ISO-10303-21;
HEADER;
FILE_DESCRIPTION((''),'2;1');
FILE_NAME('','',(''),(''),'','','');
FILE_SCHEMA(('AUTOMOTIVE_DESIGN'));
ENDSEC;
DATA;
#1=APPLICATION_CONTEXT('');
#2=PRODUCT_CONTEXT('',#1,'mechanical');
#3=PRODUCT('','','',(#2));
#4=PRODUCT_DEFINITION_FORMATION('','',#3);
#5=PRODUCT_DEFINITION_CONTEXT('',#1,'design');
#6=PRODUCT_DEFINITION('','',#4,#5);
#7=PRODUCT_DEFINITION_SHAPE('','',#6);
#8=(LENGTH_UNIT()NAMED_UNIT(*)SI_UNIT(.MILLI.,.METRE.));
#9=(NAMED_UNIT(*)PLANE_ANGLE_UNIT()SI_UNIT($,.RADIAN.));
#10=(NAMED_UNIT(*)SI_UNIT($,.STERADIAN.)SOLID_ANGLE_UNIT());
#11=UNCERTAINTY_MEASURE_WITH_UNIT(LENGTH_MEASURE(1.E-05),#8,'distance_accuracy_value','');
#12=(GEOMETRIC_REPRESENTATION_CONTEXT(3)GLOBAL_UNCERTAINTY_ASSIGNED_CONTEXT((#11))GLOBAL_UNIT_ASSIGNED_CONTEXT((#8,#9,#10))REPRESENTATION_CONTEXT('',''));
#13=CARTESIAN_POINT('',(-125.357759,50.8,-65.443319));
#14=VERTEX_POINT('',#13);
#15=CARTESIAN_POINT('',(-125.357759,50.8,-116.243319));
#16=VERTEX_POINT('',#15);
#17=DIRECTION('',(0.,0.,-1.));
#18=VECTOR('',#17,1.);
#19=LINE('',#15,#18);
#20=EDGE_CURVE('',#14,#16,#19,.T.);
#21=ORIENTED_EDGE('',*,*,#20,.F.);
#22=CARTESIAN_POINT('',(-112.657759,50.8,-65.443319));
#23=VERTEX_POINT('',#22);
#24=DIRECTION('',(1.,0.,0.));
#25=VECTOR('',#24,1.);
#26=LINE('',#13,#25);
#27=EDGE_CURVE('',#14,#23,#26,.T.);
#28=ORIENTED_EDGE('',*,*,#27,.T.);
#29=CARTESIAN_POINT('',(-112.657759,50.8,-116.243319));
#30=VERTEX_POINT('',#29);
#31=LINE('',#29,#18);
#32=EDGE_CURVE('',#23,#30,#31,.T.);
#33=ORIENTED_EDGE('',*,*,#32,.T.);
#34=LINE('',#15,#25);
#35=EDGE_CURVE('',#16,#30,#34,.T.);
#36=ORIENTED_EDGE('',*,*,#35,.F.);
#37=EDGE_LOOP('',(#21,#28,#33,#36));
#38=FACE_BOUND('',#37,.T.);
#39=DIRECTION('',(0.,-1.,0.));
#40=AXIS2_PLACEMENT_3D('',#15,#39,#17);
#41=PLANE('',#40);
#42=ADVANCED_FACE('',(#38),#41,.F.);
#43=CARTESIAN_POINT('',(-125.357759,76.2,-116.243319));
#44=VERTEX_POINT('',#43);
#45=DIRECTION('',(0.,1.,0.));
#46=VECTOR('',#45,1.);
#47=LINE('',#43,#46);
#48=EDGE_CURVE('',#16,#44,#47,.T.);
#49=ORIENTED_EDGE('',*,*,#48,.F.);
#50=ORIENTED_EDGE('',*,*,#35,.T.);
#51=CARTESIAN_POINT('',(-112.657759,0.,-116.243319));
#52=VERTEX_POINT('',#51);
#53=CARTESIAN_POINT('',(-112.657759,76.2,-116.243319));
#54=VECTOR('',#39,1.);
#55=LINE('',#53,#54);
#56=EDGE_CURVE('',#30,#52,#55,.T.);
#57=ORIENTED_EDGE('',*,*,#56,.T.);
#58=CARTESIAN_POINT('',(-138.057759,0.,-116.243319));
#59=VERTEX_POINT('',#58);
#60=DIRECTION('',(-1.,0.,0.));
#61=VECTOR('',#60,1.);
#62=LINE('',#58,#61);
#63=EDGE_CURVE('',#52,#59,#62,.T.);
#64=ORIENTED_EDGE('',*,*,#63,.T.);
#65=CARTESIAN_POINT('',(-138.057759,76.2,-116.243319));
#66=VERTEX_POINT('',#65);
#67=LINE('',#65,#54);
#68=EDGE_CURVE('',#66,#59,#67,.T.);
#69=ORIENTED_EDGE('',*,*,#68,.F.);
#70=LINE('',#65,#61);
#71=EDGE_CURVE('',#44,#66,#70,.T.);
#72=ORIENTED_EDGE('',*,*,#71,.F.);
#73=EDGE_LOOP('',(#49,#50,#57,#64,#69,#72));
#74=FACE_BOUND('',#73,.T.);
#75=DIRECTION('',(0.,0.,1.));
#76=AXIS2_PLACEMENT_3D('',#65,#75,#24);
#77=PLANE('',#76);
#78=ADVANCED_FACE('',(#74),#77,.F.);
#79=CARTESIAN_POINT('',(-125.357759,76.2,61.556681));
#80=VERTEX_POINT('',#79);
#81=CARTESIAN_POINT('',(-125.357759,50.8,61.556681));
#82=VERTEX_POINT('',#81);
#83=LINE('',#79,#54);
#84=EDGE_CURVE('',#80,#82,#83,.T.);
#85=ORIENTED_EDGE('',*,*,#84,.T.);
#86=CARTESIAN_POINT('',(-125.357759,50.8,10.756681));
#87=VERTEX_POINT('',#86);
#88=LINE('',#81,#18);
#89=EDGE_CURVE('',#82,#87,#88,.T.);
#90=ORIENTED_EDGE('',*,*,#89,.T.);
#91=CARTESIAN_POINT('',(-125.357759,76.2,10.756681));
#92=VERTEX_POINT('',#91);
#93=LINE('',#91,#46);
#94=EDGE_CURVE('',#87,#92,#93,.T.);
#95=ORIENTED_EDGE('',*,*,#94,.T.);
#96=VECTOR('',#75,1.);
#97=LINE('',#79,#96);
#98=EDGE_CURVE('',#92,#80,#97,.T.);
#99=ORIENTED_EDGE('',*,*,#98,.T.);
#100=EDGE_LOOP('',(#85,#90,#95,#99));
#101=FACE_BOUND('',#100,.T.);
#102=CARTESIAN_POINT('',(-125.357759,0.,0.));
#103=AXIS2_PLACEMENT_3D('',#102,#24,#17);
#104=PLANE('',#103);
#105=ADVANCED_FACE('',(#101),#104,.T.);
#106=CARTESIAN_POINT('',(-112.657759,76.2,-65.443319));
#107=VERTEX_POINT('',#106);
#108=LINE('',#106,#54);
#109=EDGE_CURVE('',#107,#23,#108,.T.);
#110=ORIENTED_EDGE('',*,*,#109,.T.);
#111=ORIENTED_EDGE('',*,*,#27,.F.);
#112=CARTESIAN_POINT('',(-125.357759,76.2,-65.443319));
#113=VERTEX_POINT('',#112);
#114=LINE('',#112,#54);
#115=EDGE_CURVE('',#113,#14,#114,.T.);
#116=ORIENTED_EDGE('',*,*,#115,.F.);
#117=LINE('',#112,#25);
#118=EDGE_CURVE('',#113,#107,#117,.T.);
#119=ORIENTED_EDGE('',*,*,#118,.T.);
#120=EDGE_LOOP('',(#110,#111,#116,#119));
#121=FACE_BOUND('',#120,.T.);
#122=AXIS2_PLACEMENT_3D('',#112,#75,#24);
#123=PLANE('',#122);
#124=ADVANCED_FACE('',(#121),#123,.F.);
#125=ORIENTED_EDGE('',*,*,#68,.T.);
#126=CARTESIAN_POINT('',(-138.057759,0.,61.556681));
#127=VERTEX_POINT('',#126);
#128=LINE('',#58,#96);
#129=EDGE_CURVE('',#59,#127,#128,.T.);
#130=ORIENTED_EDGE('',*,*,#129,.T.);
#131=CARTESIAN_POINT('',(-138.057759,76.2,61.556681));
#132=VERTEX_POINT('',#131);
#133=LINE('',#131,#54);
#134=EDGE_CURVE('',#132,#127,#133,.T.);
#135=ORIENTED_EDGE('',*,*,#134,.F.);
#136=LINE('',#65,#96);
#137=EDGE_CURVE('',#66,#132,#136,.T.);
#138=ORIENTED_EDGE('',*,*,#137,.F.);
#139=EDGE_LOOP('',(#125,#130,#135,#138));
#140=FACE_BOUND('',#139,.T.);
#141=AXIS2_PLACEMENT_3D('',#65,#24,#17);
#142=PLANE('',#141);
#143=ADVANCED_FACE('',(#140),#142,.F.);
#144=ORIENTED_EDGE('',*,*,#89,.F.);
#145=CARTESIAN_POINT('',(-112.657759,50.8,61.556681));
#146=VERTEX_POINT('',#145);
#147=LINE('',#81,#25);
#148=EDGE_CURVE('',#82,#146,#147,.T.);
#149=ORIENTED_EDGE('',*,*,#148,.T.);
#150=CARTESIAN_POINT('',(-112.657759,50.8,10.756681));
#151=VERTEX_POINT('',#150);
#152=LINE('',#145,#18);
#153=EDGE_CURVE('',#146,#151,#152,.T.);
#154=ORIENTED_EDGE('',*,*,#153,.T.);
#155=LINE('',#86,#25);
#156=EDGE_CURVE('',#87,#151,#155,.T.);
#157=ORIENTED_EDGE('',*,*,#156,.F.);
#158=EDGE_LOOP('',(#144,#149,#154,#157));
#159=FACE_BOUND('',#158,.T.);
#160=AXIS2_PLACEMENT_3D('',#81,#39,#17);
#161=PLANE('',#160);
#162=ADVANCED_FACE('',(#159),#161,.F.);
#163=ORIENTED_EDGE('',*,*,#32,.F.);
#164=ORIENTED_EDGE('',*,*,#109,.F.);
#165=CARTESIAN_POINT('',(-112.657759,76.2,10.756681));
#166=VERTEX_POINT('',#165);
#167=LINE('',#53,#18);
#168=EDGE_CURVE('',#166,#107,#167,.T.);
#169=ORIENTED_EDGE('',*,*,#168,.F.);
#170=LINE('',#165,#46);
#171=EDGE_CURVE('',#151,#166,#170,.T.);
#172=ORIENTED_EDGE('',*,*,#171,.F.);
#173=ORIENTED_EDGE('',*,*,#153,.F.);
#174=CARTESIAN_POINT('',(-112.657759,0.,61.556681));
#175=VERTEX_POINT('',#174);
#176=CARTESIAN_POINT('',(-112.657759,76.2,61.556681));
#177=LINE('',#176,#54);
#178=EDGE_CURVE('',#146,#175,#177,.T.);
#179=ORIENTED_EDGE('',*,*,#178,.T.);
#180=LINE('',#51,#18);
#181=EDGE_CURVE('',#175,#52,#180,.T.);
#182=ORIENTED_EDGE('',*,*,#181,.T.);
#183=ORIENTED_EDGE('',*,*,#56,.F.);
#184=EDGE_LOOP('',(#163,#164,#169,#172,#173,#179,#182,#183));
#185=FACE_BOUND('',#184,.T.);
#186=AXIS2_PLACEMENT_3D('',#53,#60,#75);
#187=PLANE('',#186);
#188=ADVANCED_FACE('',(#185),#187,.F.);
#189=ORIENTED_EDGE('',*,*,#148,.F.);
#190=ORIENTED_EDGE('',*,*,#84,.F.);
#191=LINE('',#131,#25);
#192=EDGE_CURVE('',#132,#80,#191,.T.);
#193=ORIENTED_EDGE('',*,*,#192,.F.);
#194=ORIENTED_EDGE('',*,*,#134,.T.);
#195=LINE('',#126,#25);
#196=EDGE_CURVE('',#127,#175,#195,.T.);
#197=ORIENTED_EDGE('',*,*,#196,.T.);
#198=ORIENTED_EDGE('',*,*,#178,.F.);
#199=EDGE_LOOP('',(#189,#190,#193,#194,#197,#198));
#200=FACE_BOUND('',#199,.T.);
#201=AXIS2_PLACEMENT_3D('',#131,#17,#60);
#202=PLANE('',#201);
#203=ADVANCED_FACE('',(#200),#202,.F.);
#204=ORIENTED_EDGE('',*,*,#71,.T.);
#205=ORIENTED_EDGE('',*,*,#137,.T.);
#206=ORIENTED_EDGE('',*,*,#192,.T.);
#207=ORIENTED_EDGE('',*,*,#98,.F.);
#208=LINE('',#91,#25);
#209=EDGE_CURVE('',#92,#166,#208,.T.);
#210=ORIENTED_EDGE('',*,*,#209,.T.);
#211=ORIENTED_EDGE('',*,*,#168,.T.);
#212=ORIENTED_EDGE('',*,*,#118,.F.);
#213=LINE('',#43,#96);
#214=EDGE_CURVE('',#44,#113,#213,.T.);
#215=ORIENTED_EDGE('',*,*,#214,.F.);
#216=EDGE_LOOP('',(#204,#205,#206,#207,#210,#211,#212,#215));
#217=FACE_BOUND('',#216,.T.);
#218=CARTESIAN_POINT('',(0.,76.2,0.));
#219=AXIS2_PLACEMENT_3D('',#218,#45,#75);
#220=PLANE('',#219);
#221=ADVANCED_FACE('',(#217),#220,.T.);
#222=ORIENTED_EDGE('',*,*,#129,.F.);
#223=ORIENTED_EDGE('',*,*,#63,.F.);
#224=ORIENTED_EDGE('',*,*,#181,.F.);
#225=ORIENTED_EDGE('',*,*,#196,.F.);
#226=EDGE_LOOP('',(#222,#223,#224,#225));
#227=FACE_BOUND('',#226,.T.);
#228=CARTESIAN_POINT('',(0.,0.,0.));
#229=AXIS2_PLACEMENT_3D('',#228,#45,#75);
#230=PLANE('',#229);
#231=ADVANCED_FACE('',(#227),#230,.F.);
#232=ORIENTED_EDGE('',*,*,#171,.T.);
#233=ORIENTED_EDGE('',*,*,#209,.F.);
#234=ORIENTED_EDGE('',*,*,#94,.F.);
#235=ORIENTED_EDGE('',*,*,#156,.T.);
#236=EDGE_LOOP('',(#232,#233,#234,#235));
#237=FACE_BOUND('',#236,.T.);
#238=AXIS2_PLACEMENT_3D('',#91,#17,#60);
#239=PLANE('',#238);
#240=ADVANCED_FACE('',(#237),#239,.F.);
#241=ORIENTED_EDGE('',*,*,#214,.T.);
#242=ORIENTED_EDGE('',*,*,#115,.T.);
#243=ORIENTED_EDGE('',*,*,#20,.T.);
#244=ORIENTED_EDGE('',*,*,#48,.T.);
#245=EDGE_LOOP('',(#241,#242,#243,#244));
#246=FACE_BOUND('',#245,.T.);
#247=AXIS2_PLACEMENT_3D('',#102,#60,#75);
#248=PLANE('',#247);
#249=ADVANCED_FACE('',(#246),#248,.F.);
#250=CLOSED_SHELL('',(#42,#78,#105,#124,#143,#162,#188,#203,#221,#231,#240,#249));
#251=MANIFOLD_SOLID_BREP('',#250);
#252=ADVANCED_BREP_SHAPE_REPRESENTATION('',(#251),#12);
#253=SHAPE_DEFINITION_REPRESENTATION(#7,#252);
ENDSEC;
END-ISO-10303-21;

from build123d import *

# Parameters (mm, degrees)
SKETCH1_W           = 25.4
SKETCH1_H           = 177.8
BOSS_EXTRUDE1_DEPTH = 76.2
SKETCH2_W           = 50.8
SKETCH2_H           = 25.4
CUT_EXTRUDE1_DEPTH  = 12.7


with BuildPart() as part:
    # Sketch1 → Boss-Extrude1 (new body)
    with BuildSketch(Plane(origin=(0, 0, 0), x_dir=(1, 0, 0), z_dir=(0, 1, 0))):
        with Locations((-125.357758621, 27.343318966)):
            Rectangle(SKETCH1_W, SKETCH1_H)
    extrude(amount=BOSS_EXTRUDE1_DEPTH)

    # Sketch2 → Cut-Extrude1 (cut)
    with BuildSketch(Plane(origin=(-112.657758621, 0, 0), x_dir=(0, 0, -1), z_dir=(1, 0, 0))):
        with Locations((90.843318966, 63.5)):
            Rectangle(SKETCH2_W, SKETCH2_H)
        with Locations((-36.156681034, 63.5)):
            Rectangle(SKETCH2_W, SKETCH2_H)
    extrude(amount=-CUT_EXTRUDE1_DEPTH, mode=Mode.SUBTRACT)


solid = part.part
